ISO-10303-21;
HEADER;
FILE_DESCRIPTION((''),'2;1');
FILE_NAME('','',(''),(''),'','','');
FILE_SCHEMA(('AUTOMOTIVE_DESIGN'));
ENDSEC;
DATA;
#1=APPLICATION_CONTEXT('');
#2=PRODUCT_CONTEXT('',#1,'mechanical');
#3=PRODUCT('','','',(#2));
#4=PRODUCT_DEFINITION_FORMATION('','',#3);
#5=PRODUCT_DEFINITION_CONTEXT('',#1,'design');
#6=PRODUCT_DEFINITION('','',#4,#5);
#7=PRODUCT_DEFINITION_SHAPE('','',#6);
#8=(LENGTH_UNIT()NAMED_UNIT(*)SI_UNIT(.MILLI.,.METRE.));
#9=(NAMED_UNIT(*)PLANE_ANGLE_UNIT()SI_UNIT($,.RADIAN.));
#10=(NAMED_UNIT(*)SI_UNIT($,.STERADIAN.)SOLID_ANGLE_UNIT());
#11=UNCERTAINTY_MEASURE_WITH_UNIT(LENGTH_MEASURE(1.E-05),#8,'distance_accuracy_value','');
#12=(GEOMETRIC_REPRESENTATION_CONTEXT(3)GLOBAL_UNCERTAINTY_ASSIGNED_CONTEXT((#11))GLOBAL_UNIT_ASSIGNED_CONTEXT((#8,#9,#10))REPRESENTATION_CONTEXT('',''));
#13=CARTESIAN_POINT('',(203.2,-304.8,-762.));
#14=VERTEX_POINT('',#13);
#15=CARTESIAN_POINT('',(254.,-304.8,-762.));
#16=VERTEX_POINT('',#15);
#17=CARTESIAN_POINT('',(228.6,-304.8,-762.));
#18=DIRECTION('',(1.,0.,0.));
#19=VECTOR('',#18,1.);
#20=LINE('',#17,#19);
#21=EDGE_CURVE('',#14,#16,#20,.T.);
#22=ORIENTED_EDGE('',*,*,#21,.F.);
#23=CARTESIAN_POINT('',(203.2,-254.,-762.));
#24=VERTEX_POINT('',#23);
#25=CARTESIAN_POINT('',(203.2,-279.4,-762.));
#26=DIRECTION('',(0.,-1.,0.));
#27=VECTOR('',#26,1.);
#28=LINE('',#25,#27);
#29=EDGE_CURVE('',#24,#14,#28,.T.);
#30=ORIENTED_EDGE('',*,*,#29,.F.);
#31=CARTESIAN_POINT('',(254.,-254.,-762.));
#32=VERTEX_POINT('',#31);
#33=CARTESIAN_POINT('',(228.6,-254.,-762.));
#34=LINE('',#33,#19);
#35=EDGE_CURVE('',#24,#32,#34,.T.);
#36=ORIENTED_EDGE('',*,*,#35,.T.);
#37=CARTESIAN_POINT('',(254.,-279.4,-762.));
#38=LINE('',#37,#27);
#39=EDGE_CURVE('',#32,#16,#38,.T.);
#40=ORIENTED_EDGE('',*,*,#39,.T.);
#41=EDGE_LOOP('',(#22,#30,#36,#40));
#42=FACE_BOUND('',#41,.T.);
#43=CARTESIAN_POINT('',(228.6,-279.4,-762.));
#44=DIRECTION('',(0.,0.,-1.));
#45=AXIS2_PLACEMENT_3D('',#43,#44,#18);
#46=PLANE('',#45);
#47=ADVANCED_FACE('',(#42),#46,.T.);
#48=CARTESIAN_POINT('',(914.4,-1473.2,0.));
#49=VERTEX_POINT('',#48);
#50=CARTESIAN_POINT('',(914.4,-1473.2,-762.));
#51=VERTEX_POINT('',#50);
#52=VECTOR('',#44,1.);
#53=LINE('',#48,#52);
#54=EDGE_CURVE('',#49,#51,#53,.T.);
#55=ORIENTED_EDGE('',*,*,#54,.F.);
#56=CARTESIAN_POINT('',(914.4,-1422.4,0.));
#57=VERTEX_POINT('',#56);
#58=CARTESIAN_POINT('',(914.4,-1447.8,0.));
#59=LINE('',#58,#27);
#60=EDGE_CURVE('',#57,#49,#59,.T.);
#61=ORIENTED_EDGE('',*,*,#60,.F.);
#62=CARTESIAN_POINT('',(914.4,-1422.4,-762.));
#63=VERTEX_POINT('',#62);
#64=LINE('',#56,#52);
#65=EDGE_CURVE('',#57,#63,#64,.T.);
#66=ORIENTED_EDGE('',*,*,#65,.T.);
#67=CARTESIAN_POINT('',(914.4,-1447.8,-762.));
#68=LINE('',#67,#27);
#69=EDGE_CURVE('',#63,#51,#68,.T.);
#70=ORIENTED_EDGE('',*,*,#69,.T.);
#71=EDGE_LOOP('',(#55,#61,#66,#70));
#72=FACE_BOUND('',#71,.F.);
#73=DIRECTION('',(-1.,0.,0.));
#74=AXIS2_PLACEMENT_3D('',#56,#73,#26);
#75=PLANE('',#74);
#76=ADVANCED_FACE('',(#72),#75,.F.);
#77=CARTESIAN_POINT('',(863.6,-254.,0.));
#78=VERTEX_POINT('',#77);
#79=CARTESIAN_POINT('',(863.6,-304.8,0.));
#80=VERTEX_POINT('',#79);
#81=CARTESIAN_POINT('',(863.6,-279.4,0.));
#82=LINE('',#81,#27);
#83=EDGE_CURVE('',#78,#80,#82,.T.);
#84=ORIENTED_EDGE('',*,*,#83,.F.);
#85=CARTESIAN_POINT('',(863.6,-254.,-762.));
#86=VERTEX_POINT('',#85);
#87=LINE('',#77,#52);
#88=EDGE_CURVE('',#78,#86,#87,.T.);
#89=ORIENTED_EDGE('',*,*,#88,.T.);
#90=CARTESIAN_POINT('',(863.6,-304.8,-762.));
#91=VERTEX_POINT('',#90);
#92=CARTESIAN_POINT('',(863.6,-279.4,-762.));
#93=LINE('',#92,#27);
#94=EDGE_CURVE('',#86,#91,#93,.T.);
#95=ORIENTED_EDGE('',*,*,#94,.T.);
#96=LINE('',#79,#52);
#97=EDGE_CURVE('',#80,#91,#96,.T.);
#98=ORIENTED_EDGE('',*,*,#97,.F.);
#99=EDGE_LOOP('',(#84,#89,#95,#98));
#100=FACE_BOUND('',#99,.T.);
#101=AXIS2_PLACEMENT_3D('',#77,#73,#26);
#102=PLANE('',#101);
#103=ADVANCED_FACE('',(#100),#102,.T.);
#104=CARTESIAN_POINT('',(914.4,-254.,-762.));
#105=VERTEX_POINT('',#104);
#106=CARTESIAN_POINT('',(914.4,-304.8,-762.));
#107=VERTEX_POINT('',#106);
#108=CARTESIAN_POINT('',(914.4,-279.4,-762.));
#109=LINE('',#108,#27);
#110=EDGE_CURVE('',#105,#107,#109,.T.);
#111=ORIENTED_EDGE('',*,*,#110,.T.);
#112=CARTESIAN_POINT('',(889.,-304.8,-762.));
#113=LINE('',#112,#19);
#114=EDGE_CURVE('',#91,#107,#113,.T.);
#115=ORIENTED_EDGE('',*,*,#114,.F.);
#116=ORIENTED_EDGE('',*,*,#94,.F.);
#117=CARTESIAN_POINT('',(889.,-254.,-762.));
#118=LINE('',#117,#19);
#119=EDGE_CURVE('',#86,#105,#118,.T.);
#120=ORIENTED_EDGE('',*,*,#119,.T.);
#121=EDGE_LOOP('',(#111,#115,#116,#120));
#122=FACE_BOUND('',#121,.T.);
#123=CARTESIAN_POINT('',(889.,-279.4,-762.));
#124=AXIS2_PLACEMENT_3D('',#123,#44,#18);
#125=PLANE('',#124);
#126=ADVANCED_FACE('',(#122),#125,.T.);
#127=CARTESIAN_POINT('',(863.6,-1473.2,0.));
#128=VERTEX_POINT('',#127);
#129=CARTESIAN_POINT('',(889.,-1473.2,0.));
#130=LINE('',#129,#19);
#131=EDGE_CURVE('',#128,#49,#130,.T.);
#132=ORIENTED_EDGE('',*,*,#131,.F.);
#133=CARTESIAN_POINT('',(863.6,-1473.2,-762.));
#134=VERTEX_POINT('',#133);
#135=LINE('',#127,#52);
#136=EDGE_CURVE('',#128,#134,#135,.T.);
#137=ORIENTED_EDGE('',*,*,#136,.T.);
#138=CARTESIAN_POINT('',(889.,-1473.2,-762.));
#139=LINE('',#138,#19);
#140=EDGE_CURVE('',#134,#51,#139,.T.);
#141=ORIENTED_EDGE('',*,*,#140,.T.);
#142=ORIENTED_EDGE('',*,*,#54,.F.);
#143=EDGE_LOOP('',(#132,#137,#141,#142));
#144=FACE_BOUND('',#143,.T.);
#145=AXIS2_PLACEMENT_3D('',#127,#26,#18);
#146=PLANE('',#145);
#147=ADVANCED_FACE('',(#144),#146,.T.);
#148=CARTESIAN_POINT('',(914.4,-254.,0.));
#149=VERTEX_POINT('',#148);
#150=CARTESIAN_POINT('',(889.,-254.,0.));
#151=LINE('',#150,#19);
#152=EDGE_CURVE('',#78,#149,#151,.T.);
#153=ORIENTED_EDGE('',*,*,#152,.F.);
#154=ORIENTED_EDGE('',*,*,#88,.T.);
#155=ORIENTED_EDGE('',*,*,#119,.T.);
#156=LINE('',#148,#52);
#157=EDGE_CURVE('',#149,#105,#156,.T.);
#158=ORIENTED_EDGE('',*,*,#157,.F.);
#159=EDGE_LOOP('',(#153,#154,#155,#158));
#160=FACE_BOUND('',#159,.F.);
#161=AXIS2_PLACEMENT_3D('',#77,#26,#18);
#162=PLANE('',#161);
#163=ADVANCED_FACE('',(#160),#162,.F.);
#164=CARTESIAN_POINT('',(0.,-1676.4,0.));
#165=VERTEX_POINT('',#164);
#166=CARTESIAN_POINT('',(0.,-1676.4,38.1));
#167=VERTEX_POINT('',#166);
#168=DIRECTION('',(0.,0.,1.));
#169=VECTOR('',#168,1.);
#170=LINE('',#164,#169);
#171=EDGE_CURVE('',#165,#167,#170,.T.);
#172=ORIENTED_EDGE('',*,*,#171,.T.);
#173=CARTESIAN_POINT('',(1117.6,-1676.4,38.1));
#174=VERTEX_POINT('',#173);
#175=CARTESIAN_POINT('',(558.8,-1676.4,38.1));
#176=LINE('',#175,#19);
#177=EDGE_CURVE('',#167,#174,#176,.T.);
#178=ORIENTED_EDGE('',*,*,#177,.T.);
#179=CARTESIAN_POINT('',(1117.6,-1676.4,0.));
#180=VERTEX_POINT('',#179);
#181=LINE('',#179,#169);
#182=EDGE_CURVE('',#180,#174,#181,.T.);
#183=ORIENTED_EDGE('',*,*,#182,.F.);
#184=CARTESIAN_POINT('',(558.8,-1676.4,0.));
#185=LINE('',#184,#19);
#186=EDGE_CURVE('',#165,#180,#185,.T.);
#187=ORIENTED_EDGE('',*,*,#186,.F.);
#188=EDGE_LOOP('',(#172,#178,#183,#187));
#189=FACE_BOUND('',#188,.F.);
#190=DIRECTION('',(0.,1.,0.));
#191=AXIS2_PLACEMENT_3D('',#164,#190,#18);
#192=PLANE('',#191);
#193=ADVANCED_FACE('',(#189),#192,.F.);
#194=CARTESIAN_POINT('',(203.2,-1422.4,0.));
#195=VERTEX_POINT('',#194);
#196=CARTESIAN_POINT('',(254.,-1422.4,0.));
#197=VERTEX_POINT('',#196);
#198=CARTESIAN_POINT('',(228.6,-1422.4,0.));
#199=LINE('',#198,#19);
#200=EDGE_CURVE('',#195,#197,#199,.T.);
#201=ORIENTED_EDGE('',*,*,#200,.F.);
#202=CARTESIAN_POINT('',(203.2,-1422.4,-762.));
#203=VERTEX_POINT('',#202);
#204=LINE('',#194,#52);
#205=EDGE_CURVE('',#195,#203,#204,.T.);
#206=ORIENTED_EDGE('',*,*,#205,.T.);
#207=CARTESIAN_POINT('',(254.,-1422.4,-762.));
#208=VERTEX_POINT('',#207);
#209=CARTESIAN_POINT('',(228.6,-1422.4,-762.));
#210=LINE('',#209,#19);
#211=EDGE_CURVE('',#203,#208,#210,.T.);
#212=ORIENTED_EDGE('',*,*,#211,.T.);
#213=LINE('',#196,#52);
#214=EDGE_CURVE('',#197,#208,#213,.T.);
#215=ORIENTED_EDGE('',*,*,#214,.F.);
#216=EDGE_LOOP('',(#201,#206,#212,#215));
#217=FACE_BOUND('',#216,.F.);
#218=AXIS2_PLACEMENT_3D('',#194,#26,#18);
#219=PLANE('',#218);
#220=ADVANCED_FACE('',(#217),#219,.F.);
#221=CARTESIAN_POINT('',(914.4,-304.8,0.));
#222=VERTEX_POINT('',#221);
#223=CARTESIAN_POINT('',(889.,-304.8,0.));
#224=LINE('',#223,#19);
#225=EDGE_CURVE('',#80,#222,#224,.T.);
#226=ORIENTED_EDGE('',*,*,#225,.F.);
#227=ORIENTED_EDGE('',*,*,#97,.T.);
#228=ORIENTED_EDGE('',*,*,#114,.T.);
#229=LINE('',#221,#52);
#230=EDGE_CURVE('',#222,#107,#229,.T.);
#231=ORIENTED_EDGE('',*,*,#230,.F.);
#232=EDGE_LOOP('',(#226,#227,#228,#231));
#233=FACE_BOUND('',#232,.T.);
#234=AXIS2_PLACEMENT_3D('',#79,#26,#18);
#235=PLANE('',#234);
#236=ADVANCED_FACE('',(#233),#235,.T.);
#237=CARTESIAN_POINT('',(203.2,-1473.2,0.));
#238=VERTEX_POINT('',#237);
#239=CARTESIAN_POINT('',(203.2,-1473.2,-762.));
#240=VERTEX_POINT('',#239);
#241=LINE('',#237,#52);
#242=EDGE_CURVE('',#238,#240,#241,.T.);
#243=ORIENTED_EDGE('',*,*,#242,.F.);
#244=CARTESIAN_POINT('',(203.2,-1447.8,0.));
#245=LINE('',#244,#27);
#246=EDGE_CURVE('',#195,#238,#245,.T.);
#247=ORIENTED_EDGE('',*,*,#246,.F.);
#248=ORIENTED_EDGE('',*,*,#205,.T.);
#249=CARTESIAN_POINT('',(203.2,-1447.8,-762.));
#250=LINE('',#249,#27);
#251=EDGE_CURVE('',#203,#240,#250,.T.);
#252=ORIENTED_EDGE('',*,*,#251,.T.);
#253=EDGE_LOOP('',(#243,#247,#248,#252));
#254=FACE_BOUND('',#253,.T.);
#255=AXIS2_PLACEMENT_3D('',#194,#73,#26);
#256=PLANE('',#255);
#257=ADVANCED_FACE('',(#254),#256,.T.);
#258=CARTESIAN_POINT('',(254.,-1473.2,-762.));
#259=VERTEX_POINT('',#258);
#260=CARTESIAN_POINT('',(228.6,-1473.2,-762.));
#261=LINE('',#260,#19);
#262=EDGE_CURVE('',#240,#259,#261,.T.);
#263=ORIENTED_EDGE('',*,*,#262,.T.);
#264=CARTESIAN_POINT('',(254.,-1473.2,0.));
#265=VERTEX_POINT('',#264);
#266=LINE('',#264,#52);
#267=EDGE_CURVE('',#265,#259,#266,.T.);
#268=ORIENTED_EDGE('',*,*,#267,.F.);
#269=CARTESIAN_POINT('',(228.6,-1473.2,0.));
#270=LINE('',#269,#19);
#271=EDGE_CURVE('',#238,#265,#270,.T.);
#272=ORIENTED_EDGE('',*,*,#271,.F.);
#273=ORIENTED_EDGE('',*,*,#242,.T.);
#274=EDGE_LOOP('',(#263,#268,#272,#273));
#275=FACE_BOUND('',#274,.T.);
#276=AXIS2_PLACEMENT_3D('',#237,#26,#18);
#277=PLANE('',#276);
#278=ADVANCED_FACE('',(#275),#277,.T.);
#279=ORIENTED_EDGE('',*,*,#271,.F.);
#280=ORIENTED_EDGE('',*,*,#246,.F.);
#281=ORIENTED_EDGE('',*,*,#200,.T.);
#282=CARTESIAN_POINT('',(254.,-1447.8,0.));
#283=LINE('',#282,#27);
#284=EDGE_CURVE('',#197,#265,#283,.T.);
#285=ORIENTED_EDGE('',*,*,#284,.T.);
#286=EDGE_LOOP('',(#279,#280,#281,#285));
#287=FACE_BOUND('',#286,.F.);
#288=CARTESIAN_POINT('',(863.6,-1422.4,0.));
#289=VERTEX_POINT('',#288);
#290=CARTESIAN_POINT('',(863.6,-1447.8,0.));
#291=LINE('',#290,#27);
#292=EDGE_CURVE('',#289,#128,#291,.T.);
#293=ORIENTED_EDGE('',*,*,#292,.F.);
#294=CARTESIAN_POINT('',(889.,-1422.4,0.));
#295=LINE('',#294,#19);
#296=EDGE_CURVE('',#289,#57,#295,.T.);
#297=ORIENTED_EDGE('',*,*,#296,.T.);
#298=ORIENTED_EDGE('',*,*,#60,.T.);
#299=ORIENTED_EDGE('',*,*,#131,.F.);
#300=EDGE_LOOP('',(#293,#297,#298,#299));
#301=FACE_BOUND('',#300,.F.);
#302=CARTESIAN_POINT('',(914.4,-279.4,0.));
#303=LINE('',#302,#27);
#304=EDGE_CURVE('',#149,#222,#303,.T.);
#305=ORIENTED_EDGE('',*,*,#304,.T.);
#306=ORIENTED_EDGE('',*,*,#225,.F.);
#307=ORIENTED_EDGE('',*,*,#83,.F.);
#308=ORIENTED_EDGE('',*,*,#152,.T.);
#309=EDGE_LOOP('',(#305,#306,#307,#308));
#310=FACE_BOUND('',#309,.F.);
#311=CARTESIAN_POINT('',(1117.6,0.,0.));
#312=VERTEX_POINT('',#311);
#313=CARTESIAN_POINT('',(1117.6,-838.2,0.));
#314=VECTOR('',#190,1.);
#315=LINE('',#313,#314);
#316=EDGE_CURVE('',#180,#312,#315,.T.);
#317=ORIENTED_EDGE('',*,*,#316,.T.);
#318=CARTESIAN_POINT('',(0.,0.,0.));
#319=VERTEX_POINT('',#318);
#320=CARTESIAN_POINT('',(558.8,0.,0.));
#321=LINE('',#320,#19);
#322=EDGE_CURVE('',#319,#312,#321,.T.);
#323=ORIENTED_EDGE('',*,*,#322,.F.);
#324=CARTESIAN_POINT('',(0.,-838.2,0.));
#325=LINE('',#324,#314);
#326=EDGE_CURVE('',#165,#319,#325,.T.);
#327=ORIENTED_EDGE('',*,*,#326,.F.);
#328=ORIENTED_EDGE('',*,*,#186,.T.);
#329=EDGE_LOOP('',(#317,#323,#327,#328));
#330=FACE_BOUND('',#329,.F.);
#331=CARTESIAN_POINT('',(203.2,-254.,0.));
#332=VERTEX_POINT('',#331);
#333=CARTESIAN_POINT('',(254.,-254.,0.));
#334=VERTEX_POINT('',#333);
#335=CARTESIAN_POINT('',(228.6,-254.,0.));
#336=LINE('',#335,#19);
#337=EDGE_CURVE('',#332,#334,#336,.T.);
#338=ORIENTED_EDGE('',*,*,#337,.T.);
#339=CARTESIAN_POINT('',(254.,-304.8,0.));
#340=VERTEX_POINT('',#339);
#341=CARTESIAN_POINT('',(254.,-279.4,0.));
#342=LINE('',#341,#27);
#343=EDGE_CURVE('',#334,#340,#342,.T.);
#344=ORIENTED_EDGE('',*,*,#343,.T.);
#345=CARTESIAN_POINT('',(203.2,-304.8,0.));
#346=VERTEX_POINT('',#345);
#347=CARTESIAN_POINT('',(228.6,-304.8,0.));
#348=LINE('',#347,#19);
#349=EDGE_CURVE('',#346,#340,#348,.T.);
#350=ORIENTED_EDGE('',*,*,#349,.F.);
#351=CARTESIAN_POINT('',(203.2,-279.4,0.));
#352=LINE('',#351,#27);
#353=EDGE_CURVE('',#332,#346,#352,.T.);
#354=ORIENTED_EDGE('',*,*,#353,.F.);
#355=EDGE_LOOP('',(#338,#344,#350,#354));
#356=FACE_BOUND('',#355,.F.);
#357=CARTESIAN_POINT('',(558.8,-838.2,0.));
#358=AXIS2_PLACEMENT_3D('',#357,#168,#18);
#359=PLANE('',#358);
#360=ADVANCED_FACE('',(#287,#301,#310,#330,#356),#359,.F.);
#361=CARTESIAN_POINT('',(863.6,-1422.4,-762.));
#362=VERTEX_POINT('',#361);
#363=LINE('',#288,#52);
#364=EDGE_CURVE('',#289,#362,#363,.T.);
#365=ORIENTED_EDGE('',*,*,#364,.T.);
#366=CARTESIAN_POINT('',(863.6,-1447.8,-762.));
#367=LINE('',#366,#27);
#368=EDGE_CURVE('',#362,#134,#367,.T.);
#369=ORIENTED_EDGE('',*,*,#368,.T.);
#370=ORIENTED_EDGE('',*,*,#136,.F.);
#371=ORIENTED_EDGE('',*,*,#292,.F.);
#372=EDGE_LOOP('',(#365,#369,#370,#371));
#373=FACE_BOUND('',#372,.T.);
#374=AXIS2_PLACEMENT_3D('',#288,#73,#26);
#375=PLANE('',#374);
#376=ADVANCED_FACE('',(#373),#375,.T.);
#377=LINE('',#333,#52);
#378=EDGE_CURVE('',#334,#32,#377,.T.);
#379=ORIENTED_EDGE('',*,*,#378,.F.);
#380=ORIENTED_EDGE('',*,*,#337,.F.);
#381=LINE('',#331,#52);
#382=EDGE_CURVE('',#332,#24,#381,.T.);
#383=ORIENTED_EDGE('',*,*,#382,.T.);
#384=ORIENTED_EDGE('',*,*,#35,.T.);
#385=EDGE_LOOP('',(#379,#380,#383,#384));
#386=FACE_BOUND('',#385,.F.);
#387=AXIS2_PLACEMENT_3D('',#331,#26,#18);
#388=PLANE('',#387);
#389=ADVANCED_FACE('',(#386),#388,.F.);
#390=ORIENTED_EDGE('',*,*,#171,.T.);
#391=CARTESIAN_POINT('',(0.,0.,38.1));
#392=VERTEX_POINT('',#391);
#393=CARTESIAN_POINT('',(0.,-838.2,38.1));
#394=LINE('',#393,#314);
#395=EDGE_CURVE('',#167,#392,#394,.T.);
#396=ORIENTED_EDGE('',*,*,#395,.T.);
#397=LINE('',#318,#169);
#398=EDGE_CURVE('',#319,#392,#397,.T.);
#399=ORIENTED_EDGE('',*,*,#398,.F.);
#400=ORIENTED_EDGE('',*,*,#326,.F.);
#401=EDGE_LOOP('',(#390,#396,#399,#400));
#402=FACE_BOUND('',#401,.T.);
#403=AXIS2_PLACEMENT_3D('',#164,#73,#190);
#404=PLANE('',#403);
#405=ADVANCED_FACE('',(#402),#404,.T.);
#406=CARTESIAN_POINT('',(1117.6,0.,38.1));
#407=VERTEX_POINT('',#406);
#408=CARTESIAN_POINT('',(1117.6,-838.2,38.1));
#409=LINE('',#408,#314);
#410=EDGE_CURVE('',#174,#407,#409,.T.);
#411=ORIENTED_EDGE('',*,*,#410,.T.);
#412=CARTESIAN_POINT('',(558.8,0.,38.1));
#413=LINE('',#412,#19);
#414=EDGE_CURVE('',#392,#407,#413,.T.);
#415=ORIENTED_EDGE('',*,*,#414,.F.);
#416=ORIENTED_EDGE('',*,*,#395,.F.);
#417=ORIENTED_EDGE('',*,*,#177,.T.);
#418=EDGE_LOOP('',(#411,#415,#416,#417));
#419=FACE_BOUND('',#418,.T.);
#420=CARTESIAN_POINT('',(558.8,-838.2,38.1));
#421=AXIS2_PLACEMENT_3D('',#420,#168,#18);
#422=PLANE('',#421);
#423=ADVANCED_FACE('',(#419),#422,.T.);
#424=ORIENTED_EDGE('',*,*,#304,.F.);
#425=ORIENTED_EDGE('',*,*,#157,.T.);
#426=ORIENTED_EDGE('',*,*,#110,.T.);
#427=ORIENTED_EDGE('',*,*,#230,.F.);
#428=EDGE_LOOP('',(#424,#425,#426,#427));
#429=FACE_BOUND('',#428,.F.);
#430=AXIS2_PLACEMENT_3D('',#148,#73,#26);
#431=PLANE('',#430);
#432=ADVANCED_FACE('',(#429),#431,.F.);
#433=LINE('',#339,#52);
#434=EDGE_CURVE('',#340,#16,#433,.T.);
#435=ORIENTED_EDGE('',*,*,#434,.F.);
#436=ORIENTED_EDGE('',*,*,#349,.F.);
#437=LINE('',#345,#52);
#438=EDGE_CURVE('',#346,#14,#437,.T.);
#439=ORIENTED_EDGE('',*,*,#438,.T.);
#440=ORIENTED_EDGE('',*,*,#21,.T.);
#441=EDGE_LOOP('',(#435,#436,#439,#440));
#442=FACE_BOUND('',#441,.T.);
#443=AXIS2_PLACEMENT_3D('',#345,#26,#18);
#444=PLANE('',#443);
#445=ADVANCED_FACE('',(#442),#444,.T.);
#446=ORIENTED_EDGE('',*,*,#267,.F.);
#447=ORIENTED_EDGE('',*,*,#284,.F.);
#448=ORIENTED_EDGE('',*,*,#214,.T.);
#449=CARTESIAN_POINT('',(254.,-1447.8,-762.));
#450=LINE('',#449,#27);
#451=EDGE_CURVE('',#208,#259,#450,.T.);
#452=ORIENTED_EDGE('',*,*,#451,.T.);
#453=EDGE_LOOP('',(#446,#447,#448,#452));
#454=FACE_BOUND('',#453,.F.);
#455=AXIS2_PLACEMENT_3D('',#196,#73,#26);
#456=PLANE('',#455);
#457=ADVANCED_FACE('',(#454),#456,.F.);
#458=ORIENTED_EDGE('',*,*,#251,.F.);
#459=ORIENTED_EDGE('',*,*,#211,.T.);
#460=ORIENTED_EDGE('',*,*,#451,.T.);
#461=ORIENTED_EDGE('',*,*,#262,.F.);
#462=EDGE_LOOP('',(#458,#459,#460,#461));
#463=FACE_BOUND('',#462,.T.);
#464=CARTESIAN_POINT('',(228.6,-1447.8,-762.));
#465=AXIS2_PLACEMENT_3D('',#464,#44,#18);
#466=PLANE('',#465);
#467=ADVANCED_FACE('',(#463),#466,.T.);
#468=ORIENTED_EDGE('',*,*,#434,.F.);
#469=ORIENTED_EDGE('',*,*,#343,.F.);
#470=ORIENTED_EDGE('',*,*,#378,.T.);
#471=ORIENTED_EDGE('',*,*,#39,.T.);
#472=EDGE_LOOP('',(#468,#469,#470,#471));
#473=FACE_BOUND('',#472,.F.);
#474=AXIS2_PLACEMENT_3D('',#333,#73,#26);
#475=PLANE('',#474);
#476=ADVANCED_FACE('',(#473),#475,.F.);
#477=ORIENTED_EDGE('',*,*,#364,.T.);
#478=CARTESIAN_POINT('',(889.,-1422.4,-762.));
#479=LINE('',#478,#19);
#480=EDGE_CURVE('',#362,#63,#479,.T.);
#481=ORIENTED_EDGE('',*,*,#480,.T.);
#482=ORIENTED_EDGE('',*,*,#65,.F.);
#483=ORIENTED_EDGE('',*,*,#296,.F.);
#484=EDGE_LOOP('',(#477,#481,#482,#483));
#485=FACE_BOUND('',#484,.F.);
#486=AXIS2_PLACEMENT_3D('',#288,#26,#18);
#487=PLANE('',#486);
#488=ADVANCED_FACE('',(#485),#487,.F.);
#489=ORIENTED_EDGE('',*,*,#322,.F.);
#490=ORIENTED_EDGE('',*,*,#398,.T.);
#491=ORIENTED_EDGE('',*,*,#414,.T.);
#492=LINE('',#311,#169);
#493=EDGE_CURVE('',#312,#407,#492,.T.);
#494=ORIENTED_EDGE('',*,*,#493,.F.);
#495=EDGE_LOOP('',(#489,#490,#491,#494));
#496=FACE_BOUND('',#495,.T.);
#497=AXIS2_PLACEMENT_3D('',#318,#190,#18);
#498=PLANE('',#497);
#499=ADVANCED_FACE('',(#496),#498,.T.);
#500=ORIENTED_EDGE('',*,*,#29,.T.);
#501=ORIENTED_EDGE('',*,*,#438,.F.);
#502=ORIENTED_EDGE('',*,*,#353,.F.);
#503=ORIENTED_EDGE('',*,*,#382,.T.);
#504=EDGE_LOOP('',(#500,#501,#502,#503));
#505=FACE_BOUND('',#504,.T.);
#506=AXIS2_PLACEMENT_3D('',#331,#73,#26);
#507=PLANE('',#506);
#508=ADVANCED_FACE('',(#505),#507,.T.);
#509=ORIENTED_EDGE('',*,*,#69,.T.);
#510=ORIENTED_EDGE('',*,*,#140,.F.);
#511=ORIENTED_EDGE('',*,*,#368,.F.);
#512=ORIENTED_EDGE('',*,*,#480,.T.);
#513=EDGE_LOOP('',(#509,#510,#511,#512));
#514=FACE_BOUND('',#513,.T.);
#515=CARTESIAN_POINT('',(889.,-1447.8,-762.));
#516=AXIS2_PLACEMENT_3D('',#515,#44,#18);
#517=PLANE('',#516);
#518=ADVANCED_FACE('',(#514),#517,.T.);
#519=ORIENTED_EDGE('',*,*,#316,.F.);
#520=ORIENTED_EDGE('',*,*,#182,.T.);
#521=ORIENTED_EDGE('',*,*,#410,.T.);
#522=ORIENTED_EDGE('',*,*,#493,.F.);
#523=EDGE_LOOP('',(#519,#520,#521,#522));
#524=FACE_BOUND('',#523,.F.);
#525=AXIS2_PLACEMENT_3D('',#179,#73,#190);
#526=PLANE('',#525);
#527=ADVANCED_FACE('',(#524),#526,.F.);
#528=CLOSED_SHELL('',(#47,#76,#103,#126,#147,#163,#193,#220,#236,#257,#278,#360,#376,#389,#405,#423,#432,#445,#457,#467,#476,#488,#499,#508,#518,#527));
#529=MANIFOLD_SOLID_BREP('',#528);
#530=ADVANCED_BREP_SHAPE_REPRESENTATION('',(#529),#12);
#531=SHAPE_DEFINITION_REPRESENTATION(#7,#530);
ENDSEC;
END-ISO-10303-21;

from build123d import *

# Parameters (mm, degrees)
F0_W     = 1117.6
F0_H     = 1676.4
F1_DEPTH = 38.1
F2_W     = 50.8
F2_H     = 50.8
F3_DEPTH = 762


with BuildPart() as f1:
    # F0 (on Top) → F1 (new body)
    with BuildSketch(Plane.XY):
        with Locations((558.8, -838.2)):
            Rectangle(F0_W, F0_H)
    extrude(amount=F1_DEPTH)

    # F2 (on face) → F3 (join)
    with BuildSketch(Plane(origin=(0, 0, 0), x_dir=(1, 0, 0), z_dir=(0, 0, -1))):
        with Locations((228.6, 1447.8)):
            Rectangle(F2_W, F2_H)
        with Locations((889, 1447.8)):
            Rectangle(F2_W, F2_H)
        with Locations((889, 279.4)):
            Rectangle(F2_W, F2_H)
        with Locations((228.6, 279.4)):
            Rectangle(F2_W, F2_H)
    extrude(amount=F3_DEPTH)


solid = f1.part
